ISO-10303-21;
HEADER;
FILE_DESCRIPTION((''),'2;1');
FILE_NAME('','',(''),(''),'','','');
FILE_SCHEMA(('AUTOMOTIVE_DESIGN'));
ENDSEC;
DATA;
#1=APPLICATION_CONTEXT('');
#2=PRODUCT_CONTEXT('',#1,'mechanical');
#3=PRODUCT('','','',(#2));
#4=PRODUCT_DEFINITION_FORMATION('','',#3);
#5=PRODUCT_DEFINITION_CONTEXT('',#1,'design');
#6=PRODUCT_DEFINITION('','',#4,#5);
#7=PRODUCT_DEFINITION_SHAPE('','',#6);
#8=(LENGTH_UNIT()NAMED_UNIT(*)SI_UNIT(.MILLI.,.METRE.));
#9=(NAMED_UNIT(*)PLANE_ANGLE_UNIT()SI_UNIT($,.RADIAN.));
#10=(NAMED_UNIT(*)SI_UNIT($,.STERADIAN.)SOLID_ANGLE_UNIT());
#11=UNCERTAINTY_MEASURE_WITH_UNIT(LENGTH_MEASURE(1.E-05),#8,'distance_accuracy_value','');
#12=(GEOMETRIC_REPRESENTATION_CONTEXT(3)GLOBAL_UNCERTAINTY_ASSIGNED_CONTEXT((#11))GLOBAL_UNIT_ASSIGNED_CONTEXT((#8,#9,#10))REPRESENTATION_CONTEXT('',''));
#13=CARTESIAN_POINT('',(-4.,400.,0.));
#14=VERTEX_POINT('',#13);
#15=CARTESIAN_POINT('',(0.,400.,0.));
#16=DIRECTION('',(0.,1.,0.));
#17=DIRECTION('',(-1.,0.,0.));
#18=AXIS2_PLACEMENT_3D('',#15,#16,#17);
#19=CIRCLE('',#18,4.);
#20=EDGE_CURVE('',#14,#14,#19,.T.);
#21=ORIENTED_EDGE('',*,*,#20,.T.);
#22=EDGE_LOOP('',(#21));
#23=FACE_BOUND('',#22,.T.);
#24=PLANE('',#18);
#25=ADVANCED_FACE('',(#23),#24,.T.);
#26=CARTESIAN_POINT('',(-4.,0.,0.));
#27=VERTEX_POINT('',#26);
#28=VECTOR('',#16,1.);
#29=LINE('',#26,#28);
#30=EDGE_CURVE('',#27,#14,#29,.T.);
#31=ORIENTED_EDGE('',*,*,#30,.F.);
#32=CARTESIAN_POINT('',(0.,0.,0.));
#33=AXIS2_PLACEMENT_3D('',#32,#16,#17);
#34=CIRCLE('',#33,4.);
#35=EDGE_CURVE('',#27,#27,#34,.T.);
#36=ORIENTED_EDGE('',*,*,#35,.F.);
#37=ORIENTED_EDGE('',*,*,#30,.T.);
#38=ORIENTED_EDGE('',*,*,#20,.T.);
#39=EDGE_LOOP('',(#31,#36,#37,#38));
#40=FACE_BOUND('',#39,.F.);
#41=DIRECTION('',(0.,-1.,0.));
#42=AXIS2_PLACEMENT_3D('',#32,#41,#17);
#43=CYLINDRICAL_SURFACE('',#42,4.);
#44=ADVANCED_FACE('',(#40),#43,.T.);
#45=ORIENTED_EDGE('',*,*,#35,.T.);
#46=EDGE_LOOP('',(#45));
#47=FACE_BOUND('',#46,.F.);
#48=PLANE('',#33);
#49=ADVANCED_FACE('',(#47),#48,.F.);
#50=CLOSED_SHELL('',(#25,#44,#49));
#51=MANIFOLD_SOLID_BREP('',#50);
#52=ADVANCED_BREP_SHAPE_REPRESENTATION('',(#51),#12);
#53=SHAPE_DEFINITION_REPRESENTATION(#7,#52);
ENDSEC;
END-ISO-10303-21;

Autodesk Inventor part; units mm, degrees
ref_plane "YZ Plane" through (0, 0, 0) normal (1, 0, 0) x (0, 1, 0)
ref_plane "XZ Plane" through (0, 0, 0) normal (0, 1, 0) x (-1, 0, 0)
ref_plane "XY Plane" through (0, 0, 0) normal (0, 0, 1) x (1, 0, 0)
sketch "Sketch1" plane through (0, 0, 0) normal (0, 1, 0) x (-1, 0, 0)
  circle A0 centre (0, 0) radius 4
  dimension "d0" = 8
extrude "Extrusion1" add sketch "Sketch1" along normal blind 400
equation "\"d0\" = RodDiameter"
equation "\"d1\" = SmallRodLenght"
equation "\"RodDiameter\" = 8"
equation "\"SmallRodLenght\" = 400"
equation "\"VerticalBearingOD\" = 16"
equation "\"PrintingClearance\" = 0.2"
equation "\"TubeID\" = 18"
properties part number "SmallRod"
